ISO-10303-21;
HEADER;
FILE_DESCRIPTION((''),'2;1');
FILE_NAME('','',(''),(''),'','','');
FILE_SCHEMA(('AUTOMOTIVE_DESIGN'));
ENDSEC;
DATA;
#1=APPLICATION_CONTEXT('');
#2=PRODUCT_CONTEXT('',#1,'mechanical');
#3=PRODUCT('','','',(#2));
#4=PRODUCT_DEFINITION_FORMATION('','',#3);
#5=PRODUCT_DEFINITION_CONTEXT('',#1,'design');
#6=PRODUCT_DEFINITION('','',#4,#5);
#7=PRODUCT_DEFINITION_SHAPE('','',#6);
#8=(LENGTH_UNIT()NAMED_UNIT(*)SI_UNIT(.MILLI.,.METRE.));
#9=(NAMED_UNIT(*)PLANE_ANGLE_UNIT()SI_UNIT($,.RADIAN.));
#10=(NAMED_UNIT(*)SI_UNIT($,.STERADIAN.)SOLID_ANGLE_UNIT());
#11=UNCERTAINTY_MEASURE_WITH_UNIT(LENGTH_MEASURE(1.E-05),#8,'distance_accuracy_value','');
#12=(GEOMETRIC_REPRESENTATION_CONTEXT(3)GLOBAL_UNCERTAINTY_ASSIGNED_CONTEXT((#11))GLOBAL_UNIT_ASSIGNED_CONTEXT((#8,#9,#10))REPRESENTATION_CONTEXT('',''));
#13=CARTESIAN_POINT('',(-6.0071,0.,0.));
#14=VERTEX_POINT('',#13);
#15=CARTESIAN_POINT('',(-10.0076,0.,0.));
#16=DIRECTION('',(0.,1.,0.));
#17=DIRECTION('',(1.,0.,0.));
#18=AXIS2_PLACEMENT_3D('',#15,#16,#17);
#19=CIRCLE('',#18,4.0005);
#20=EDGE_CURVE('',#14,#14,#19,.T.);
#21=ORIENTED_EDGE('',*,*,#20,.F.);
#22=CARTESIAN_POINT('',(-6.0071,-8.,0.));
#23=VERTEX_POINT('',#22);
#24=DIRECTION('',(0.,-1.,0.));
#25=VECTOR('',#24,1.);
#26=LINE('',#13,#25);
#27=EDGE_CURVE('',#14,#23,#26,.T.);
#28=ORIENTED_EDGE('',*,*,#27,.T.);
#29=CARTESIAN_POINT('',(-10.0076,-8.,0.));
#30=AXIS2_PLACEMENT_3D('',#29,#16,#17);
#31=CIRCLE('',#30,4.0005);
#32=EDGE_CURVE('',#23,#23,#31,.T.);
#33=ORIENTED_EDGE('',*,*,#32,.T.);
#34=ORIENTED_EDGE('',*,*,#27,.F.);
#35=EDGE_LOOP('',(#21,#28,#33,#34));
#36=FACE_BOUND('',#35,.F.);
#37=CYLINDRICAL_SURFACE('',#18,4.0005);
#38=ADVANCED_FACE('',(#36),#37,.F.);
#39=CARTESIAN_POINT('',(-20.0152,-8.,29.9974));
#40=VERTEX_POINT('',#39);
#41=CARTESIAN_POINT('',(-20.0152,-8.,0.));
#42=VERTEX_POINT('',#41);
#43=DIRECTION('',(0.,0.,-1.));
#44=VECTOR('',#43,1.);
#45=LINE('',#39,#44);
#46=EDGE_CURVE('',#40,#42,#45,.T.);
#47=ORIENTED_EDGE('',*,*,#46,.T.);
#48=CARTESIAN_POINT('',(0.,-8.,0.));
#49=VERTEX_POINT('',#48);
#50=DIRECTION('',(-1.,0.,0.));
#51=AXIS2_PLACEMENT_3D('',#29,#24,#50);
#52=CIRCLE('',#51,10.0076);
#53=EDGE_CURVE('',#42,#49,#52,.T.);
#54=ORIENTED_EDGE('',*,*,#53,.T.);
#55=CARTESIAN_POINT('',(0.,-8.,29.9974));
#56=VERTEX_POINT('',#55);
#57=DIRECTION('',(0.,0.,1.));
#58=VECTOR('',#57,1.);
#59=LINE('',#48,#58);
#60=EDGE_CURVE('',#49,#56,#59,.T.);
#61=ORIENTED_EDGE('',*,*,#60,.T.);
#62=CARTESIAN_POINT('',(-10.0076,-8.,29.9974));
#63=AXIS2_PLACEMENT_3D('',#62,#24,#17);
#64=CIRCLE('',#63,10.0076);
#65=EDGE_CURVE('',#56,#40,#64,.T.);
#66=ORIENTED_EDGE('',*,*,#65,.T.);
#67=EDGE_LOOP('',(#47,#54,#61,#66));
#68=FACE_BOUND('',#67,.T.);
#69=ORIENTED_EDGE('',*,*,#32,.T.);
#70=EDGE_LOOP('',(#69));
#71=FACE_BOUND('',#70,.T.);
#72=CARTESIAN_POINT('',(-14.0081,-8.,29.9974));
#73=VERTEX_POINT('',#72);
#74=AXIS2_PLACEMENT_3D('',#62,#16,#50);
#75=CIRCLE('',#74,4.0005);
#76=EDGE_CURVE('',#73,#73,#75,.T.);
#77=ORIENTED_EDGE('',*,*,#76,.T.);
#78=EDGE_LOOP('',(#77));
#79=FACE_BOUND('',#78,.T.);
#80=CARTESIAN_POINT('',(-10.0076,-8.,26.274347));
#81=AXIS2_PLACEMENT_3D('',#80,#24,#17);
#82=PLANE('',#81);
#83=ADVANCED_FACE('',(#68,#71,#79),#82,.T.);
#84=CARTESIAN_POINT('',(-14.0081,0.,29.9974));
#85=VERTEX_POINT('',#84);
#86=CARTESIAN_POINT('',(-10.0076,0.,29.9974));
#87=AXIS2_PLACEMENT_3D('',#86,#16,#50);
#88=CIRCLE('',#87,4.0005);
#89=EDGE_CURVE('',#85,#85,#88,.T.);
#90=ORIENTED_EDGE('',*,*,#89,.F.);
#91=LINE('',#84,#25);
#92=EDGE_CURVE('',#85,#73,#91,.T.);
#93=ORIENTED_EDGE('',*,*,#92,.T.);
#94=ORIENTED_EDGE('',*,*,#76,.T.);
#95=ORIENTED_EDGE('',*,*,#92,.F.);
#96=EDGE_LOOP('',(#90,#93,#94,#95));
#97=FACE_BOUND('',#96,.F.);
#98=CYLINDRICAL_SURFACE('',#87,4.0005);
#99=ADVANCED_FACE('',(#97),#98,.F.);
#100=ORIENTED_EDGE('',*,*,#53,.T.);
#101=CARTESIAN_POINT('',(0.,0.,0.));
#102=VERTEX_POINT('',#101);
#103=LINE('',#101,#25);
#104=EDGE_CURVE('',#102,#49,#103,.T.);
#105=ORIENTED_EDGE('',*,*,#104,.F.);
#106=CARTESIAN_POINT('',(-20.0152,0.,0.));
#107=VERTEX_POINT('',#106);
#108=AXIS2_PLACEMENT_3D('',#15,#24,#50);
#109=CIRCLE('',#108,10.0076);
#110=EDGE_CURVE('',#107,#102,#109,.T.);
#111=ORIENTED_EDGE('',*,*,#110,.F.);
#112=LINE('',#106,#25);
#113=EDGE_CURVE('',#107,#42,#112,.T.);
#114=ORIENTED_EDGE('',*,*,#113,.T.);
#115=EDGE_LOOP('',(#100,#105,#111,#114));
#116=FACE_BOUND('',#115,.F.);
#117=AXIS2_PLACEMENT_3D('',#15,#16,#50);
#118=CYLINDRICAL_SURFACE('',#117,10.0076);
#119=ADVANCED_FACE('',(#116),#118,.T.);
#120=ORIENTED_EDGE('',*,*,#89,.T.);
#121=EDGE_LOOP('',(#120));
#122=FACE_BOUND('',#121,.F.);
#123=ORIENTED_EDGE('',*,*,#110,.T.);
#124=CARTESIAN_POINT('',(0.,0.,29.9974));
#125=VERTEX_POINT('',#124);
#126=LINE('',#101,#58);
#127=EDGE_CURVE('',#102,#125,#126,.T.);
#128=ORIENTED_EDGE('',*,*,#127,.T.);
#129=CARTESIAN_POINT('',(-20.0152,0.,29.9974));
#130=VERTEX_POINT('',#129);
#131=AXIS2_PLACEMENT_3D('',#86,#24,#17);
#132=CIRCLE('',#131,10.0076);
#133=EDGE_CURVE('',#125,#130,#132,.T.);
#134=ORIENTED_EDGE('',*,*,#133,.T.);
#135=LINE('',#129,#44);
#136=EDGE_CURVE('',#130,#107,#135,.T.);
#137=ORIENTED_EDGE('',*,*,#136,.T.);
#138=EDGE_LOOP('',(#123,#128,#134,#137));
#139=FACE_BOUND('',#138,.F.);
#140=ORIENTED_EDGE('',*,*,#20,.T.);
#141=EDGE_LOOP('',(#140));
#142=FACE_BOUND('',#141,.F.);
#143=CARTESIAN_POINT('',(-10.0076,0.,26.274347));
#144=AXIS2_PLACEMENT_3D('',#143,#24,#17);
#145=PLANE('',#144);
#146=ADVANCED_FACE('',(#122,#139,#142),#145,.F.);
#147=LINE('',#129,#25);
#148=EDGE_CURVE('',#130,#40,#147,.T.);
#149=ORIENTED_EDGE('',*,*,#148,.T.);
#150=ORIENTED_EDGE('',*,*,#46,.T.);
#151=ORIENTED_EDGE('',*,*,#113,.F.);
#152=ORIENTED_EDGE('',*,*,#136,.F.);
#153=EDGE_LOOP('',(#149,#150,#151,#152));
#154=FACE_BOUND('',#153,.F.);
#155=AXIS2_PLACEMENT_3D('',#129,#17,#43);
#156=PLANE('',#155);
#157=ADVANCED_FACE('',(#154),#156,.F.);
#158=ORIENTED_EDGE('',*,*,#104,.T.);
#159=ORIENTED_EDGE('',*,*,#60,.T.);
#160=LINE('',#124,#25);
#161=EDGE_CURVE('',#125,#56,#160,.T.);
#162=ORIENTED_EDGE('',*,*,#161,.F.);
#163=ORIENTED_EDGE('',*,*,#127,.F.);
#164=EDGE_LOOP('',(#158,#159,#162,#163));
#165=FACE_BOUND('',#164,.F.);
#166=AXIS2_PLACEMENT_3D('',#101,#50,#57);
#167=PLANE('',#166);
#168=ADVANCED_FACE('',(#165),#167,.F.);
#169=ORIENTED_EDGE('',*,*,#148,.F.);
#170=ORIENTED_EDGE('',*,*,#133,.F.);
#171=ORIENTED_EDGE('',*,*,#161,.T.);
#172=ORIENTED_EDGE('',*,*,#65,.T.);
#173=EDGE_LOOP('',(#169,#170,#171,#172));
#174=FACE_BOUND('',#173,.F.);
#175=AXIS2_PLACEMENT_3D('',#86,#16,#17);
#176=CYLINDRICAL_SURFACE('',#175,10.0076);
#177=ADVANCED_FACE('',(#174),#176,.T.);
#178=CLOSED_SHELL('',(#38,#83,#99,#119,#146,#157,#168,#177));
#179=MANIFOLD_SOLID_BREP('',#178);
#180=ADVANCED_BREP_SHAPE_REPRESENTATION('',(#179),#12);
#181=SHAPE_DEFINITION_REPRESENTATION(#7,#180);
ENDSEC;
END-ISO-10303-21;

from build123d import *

# Parameters (mm, degrees)
F1_DEPTH = 8


with BuildPart() as f1:
    # F0 (on Front) → F1 (new body)
    with BuildSketch(Plane.XZ):
        with BuildLine():
            ThreePointArc((-20.0152, 29.9974), (-10.0076, 19.9898), (0, 29.9974))
            Line((0, 29.9974), (-6.0071, 29.9974))
            ThreePointArc((-6.0071, 29.9974), (-10.0076, 25.9969), (-14.0081, 29.9974))
            Line((-14.0081, 29.9974), (-20.0152, 29.9974))
        make_face()
        with BuildLine():
            Line((-6.0071, 29.9974), (0, 29.9974))
            ThreePointArc((0, 29.9974), (-10.0076, 40.005), (-20.0152, 29.9974))
            Line((-20.0152, 29.9974), (-14.0081, 29.9974))
            ThreePointArc((-14.0081, 29.9974), (-10.0076, 33.9979), (-6.0071, 29.9974))
        make_face()
        with BuildLine():
            ThreePointArc((-20.0152, 0), (-10.0076, 10.0076), (0, 0))
            Line((0, 0), (0, 29.9974))
            ThreePointArc((0, 29.9974), (-10.0076, 19.9898), (-20.0152, 29.9974))
            Line((-20.0152, 29.9974), (-20.0152, 0))
        make_face()
        with BuildLine():
            ThreePointArc((-20.0152, 0), (-10.0076, -10.0076), (0, 0))
            Line((0, 0), (-6.0071, 0))
            ThreePointArc((-6.0071, 0), (-10.0076, -4.0005), (-14.0081, 0))
            Line((-14.0081, 0), (-20.0152, 0))
        make_face()
        with BuildLine():
            Line((-6.0071, 0), (0, 0))
            ThreePointArc((0, 0), (-10.0076, 10.0076), (-20.0152, 0))
            Line((-20.0152, 0), (-14.0081, 0))
            ThreePointArc((-14.0081, 0), (-10.0076, 4.0005), (-6.0071, 0))
        make_face()
    extrude(amount=F1_DEPTH)


solid = f1.part
